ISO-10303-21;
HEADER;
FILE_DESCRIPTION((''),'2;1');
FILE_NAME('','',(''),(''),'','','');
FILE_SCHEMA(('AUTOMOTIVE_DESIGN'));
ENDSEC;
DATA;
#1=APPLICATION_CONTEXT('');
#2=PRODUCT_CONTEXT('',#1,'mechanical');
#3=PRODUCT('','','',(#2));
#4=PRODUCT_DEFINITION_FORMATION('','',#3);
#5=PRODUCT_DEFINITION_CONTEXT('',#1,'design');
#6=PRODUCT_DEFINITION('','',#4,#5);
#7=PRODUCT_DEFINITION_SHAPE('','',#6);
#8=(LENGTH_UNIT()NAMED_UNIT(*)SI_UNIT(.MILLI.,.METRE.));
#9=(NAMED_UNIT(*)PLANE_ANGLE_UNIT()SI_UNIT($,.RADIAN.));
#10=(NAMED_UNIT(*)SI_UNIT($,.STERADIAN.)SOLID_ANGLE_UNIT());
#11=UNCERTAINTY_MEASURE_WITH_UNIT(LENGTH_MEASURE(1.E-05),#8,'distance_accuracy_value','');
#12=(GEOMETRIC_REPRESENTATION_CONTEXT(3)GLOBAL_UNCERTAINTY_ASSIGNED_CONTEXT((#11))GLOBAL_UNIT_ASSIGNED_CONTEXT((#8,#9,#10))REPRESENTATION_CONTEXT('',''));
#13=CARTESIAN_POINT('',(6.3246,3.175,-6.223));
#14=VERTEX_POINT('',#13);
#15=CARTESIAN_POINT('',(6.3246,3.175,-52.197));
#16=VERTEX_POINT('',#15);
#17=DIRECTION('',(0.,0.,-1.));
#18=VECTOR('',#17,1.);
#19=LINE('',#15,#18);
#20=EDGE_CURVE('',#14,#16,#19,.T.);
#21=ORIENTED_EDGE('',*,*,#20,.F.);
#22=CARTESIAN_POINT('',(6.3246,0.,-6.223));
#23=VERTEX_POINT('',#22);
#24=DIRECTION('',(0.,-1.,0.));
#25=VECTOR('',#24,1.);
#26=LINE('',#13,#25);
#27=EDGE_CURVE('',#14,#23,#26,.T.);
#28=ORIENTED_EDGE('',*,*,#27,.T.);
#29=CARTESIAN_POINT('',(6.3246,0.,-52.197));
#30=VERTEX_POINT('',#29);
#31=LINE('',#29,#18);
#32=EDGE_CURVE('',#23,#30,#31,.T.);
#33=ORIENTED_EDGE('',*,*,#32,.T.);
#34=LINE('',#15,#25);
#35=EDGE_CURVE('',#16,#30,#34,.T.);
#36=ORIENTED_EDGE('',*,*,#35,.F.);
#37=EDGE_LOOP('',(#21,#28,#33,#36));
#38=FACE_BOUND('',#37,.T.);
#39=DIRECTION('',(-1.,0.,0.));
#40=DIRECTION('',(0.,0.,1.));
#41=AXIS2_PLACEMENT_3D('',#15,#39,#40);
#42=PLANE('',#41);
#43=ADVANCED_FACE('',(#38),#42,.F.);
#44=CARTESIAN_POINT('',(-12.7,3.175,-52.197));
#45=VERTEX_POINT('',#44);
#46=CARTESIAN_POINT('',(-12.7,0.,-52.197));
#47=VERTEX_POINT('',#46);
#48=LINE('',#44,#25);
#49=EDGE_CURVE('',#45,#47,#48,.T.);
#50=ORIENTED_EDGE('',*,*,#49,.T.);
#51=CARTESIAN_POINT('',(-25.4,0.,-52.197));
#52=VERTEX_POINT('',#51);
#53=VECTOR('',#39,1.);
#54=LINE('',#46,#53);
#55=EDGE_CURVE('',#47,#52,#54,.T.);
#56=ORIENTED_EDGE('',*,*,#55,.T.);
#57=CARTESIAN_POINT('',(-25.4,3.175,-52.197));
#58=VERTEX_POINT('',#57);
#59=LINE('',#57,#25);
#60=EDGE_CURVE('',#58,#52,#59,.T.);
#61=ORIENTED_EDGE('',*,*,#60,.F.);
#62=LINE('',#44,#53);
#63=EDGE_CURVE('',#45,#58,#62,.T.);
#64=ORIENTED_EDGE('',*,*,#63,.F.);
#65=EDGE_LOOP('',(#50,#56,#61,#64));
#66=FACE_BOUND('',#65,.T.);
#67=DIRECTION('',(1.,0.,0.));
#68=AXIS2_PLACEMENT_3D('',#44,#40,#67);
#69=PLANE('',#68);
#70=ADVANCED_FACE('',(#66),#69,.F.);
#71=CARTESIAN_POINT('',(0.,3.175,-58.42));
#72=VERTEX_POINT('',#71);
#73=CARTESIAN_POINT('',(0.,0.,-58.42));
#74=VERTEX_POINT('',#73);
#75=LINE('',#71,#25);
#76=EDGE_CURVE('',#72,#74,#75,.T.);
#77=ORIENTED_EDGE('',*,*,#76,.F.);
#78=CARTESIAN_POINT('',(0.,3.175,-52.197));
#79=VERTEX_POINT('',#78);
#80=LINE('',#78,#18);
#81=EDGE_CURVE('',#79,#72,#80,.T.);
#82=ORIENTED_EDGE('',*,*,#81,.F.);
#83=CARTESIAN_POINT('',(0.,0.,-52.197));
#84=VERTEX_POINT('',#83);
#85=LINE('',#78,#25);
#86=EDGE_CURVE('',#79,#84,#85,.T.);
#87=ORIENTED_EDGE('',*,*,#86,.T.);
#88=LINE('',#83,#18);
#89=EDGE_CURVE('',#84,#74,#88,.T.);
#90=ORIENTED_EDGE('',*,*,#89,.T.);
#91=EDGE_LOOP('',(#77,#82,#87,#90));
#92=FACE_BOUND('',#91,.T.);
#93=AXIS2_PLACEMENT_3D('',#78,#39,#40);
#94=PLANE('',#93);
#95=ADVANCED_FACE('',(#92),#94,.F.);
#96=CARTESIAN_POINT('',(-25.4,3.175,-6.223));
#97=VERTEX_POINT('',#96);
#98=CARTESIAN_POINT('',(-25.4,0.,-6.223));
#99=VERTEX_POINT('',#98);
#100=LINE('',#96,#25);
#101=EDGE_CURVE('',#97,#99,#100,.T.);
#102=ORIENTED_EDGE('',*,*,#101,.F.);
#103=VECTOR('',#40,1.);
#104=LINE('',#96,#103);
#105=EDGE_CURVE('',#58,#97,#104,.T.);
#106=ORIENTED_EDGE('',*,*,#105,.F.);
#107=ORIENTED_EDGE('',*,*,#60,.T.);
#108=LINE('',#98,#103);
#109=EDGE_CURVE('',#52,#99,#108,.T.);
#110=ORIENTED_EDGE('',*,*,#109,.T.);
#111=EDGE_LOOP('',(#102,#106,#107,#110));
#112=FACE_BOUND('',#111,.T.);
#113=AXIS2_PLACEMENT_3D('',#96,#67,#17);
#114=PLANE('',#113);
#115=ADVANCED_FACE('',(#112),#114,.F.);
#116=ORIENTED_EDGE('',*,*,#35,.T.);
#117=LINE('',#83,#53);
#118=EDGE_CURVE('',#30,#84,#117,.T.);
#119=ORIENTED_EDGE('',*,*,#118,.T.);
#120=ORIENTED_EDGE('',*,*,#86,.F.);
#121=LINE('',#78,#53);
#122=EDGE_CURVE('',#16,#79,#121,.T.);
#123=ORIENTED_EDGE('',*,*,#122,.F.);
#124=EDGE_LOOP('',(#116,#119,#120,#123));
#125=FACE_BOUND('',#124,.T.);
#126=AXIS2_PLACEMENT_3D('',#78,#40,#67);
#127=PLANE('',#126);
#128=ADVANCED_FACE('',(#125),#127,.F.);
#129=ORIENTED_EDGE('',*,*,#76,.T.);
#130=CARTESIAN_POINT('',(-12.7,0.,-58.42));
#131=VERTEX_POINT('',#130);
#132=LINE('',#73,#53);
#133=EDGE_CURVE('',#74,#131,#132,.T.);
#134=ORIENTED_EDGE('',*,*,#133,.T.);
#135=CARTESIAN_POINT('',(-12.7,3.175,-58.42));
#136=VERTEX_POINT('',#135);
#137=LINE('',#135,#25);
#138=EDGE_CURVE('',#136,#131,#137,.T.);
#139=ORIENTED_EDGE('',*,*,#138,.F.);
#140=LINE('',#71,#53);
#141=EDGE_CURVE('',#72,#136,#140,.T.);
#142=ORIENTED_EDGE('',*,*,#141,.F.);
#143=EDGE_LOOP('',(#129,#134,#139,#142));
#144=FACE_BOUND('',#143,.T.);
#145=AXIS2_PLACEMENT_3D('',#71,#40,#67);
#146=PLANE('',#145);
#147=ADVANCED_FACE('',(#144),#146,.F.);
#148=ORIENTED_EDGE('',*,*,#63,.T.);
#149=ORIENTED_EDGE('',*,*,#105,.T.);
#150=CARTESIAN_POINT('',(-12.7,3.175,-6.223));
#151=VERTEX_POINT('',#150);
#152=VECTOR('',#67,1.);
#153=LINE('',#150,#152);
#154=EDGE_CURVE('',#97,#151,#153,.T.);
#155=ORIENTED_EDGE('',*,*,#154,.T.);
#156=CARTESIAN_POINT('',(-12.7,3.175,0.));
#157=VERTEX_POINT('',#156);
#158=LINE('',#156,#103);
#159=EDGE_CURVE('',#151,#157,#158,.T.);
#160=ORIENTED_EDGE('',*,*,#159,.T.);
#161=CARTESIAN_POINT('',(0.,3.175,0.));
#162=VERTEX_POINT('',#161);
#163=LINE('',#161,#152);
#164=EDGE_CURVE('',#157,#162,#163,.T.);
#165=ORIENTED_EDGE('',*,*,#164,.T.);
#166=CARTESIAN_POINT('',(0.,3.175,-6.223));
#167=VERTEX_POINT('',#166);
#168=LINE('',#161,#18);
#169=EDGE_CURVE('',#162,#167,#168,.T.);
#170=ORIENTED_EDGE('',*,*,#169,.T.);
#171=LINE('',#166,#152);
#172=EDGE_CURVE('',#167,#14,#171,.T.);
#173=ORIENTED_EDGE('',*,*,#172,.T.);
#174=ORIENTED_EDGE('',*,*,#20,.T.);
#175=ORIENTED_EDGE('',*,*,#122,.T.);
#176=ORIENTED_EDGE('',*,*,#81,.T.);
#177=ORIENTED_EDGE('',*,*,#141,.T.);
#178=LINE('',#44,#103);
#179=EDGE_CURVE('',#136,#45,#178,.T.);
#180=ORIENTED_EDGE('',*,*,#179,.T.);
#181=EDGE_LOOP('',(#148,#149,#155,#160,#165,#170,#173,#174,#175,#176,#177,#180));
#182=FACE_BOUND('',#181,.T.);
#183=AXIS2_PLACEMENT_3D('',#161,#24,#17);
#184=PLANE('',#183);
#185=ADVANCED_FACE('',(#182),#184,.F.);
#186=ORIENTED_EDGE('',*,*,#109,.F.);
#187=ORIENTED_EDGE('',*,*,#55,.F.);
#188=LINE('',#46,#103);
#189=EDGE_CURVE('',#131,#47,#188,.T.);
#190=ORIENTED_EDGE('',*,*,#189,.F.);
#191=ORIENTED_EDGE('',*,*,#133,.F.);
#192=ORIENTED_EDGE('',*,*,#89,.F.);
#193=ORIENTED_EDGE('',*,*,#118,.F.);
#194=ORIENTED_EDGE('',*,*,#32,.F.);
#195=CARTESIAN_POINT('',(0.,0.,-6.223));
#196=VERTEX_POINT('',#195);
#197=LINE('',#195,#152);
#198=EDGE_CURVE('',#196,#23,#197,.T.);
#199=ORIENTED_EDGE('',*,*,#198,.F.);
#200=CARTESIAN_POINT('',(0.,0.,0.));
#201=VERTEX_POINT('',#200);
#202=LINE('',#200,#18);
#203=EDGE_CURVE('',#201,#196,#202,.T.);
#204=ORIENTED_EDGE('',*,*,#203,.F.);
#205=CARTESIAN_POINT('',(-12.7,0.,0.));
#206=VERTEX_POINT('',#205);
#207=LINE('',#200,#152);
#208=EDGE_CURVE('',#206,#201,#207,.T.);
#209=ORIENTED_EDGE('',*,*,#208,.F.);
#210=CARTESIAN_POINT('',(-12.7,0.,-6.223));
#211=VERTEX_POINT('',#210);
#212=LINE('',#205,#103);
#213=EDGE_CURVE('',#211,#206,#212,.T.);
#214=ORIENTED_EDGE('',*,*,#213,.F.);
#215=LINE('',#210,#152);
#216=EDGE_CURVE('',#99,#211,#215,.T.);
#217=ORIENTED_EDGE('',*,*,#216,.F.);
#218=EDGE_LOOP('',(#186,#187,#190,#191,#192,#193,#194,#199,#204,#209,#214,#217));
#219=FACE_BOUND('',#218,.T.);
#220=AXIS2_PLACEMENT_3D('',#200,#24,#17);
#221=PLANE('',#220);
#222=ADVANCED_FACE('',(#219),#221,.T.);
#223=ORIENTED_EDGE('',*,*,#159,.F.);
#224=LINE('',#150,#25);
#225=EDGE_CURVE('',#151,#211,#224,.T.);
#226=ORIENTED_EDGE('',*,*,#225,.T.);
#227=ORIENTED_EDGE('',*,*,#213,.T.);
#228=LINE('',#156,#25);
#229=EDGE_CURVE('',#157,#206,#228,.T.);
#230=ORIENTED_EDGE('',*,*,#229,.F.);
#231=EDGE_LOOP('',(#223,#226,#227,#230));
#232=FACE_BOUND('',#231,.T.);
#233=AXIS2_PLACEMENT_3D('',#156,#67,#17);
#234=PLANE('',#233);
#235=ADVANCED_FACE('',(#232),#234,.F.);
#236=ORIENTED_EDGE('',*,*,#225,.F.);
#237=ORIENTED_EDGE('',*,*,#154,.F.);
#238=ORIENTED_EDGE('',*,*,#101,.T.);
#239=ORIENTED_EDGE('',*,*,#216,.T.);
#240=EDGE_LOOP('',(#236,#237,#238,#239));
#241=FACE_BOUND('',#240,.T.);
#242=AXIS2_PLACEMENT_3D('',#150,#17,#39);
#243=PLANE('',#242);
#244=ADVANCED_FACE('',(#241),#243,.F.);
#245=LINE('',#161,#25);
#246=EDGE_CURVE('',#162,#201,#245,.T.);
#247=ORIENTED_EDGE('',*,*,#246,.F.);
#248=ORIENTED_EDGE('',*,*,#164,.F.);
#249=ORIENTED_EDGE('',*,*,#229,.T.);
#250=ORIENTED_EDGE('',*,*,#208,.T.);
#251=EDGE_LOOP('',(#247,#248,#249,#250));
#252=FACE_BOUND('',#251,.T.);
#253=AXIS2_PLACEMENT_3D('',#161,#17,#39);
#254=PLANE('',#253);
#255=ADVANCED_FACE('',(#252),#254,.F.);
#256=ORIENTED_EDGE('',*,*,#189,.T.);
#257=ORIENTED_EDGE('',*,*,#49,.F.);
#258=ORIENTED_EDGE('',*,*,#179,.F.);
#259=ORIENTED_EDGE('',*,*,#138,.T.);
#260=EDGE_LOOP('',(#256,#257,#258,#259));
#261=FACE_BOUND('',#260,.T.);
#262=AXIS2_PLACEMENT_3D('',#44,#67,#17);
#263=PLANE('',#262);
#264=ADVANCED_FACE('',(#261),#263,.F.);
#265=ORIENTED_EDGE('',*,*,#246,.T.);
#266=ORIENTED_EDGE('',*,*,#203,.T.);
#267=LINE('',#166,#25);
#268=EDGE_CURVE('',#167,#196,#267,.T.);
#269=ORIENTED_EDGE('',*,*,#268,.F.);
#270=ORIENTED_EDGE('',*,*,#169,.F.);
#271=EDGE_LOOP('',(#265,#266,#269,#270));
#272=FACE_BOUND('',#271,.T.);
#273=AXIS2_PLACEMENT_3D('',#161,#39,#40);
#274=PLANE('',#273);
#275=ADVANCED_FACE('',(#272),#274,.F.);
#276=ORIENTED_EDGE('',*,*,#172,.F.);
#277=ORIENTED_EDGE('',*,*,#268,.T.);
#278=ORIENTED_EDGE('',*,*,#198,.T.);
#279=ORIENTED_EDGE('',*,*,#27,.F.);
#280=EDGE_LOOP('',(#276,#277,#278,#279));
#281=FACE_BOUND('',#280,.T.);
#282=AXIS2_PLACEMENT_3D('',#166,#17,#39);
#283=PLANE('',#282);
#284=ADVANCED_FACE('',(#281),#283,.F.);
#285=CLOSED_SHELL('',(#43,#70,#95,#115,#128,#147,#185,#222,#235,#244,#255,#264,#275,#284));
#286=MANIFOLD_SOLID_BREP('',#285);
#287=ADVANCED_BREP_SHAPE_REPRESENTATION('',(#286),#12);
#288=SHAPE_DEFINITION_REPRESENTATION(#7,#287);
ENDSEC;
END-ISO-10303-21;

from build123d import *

# Parameters (mm, degrees)
BOSS_EXTRUDE1_DEPTH = 3.175


with BuildPart() as part:
    # Sketch1 → Boss-Extrude1 (new body)
    with BuildSketch(Plane(origin=(0, 0, 0), x_dir=(1, 0, 0), z_dir=(0, 1, 0))):
        Polygon((0, 0), (-12.7, 0), (-12.7, 6.223), (-25.4, 6.223), (-25.4, 52.197), (-12.7, 52.197), (-12.7, 58.42), (0, 58.42), (0, 52.197), (6.3246, 52.197), (6.3246, 6.223), (0, 6.223), align=None)
    extrude(amount=BOSS_EXTRUDE1_DEPTH)


solid = part.part
